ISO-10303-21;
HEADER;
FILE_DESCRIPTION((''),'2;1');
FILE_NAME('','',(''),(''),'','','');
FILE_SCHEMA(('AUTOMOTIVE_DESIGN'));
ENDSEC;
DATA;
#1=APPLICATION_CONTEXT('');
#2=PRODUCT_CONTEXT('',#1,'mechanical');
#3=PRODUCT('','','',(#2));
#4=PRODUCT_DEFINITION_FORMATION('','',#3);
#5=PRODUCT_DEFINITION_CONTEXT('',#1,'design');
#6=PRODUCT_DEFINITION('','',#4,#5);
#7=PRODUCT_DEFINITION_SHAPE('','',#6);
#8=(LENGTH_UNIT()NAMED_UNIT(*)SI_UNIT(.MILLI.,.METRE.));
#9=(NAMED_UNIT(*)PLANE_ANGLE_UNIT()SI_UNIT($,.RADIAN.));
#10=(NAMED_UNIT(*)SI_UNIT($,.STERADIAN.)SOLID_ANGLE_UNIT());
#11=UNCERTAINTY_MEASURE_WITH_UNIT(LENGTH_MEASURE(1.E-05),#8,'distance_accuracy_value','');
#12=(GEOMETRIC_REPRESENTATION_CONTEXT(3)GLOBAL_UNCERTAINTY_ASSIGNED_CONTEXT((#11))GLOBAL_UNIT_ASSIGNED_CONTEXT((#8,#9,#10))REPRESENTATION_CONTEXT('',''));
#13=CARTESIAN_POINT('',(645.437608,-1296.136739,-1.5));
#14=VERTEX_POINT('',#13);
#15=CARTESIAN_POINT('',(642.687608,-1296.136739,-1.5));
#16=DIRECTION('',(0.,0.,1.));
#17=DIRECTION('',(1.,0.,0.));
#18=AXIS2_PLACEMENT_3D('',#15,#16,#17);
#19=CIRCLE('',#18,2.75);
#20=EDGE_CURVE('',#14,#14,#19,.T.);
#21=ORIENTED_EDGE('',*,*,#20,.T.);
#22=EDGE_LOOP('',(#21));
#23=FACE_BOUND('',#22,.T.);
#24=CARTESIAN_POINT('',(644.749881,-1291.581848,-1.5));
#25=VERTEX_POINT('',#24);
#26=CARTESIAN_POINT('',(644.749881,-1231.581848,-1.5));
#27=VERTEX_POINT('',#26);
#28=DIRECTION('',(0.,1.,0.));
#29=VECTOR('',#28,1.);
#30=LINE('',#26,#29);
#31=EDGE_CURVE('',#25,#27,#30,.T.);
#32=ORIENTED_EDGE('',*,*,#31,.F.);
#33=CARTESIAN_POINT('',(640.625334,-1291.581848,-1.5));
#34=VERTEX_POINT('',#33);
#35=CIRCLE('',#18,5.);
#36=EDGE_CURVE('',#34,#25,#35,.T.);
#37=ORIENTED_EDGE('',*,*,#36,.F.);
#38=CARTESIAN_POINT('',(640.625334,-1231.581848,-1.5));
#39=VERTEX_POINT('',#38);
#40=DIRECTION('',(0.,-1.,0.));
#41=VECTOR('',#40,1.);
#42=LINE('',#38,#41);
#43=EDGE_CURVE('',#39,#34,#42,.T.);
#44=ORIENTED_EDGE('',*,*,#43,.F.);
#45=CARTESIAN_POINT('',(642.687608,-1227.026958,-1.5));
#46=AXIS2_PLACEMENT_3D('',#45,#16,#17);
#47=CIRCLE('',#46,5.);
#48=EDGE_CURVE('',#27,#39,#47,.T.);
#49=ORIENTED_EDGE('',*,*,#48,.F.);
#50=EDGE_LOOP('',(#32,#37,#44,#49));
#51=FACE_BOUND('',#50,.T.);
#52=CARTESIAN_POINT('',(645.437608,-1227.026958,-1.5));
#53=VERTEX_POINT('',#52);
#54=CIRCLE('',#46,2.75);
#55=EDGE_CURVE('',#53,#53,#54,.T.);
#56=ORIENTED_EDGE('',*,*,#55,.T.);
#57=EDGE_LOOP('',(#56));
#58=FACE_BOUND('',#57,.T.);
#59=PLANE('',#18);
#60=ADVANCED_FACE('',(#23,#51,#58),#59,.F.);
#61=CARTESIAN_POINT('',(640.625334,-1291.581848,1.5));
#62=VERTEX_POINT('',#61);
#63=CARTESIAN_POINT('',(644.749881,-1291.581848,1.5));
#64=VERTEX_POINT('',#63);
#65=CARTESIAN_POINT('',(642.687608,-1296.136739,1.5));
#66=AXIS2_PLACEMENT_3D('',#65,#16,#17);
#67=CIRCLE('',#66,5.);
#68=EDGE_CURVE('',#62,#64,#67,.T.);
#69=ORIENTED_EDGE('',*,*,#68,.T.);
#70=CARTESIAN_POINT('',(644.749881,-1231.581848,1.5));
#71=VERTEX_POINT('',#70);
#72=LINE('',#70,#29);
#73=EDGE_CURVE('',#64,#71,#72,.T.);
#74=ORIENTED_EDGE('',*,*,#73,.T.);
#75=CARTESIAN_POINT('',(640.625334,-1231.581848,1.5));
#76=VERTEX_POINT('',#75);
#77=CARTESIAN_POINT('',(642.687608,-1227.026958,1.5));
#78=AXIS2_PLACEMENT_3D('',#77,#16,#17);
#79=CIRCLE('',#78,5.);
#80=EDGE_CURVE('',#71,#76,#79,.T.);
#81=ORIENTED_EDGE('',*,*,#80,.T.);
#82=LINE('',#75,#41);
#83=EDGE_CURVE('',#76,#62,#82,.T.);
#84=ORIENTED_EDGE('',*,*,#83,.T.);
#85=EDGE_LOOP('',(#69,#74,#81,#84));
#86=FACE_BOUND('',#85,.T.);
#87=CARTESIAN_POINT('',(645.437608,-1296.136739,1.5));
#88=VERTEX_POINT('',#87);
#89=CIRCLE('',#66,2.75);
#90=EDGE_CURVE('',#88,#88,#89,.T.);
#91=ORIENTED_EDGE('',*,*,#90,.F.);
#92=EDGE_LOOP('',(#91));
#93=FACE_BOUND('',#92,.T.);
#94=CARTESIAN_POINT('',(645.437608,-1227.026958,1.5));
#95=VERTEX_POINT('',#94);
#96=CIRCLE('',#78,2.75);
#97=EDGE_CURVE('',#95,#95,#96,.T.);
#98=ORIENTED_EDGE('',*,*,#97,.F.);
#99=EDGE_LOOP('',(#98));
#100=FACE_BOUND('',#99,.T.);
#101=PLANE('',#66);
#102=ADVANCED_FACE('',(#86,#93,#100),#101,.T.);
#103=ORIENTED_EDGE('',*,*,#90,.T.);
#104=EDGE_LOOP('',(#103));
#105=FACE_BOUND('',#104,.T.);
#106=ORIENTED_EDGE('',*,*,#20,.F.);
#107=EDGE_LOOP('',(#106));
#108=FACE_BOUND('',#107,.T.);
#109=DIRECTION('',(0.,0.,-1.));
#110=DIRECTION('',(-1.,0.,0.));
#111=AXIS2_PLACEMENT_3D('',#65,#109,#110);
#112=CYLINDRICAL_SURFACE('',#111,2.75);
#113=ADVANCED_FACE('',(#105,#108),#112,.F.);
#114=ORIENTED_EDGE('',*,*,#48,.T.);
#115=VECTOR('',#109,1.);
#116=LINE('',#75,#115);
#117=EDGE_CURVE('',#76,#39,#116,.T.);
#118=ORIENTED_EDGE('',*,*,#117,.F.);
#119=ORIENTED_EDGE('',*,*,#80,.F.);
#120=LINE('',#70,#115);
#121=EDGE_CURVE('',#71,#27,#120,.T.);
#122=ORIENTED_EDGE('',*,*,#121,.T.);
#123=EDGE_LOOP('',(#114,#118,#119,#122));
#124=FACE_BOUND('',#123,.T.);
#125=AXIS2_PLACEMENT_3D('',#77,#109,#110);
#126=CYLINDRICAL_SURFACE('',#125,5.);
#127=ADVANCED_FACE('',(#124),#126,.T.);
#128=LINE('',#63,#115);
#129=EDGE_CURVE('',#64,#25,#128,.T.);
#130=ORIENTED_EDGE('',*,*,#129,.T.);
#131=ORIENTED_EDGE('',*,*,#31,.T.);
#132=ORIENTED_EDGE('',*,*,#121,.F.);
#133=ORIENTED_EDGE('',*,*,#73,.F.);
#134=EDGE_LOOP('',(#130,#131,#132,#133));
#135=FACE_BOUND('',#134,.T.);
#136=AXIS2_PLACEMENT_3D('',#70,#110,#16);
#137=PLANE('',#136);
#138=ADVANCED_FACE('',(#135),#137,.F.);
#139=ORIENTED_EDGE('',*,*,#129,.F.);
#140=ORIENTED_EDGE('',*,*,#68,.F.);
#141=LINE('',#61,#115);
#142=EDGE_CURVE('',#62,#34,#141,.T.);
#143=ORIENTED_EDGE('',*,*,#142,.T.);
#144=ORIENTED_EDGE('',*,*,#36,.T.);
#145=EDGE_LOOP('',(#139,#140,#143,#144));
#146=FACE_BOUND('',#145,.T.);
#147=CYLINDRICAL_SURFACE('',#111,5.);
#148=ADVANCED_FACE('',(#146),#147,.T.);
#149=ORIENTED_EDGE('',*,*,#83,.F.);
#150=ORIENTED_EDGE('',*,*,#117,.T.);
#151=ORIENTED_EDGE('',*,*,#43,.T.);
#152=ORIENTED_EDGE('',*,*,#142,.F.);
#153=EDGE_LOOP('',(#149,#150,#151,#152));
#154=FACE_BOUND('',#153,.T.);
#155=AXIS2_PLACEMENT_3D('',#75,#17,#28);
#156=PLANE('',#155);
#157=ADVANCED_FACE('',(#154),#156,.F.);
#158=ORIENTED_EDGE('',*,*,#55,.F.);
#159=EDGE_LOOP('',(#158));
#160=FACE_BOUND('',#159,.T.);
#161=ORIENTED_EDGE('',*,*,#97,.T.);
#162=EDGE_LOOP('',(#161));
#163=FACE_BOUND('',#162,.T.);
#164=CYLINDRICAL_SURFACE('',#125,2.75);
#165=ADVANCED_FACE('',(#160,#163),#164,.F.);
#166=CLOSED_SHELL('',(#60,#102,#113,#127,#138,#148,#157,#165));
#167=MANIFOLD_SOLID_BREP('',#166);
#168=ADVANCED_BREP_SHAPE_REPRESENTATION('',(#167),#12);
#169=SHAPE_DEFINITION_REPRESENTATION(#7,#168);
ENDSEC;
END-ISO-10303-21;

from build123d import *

# Parameters (mm, degrees)
SKETCH3_R           = 2.75
BOSS_EXTRUDE3_DEPTH = 1.5


with BuildPart() as part:
    # Sketch3 → Boss-Extrude3 (new, symmetric)
    with BuildSketch(Plane.XY):
        with BuildLine():
            Line((644.749881263, -1231.581848105), (644.749881263, -1291.581848105))
            ThreePointArc((644.749881263, -1291.581848105), (642.687607751, -1301.136738659), (640.625334239, -1291.581848105))
            Line((640.625334239, -1291.581848105), (640.625334239, -1231.581848105))
            ThreePointArc((640.625334239, -1231.581848105), (642.687607751, -1222.02695755), (644.749881263, -1231.581848105))
        make_face()
        with Locations((642.687607751, -1296.136738659)):
            Circle(SKETCH3_R, mode=Mode.SUBTRACT)
        with Locations((642.687607751, -1227.02695755)):
            Circle(SKETCH3_R, mode=Mode.SUBTRACT)
    extrude(amount=BOSS_EXTRUDE3_DEPTH, both=True)


solid = part.part
